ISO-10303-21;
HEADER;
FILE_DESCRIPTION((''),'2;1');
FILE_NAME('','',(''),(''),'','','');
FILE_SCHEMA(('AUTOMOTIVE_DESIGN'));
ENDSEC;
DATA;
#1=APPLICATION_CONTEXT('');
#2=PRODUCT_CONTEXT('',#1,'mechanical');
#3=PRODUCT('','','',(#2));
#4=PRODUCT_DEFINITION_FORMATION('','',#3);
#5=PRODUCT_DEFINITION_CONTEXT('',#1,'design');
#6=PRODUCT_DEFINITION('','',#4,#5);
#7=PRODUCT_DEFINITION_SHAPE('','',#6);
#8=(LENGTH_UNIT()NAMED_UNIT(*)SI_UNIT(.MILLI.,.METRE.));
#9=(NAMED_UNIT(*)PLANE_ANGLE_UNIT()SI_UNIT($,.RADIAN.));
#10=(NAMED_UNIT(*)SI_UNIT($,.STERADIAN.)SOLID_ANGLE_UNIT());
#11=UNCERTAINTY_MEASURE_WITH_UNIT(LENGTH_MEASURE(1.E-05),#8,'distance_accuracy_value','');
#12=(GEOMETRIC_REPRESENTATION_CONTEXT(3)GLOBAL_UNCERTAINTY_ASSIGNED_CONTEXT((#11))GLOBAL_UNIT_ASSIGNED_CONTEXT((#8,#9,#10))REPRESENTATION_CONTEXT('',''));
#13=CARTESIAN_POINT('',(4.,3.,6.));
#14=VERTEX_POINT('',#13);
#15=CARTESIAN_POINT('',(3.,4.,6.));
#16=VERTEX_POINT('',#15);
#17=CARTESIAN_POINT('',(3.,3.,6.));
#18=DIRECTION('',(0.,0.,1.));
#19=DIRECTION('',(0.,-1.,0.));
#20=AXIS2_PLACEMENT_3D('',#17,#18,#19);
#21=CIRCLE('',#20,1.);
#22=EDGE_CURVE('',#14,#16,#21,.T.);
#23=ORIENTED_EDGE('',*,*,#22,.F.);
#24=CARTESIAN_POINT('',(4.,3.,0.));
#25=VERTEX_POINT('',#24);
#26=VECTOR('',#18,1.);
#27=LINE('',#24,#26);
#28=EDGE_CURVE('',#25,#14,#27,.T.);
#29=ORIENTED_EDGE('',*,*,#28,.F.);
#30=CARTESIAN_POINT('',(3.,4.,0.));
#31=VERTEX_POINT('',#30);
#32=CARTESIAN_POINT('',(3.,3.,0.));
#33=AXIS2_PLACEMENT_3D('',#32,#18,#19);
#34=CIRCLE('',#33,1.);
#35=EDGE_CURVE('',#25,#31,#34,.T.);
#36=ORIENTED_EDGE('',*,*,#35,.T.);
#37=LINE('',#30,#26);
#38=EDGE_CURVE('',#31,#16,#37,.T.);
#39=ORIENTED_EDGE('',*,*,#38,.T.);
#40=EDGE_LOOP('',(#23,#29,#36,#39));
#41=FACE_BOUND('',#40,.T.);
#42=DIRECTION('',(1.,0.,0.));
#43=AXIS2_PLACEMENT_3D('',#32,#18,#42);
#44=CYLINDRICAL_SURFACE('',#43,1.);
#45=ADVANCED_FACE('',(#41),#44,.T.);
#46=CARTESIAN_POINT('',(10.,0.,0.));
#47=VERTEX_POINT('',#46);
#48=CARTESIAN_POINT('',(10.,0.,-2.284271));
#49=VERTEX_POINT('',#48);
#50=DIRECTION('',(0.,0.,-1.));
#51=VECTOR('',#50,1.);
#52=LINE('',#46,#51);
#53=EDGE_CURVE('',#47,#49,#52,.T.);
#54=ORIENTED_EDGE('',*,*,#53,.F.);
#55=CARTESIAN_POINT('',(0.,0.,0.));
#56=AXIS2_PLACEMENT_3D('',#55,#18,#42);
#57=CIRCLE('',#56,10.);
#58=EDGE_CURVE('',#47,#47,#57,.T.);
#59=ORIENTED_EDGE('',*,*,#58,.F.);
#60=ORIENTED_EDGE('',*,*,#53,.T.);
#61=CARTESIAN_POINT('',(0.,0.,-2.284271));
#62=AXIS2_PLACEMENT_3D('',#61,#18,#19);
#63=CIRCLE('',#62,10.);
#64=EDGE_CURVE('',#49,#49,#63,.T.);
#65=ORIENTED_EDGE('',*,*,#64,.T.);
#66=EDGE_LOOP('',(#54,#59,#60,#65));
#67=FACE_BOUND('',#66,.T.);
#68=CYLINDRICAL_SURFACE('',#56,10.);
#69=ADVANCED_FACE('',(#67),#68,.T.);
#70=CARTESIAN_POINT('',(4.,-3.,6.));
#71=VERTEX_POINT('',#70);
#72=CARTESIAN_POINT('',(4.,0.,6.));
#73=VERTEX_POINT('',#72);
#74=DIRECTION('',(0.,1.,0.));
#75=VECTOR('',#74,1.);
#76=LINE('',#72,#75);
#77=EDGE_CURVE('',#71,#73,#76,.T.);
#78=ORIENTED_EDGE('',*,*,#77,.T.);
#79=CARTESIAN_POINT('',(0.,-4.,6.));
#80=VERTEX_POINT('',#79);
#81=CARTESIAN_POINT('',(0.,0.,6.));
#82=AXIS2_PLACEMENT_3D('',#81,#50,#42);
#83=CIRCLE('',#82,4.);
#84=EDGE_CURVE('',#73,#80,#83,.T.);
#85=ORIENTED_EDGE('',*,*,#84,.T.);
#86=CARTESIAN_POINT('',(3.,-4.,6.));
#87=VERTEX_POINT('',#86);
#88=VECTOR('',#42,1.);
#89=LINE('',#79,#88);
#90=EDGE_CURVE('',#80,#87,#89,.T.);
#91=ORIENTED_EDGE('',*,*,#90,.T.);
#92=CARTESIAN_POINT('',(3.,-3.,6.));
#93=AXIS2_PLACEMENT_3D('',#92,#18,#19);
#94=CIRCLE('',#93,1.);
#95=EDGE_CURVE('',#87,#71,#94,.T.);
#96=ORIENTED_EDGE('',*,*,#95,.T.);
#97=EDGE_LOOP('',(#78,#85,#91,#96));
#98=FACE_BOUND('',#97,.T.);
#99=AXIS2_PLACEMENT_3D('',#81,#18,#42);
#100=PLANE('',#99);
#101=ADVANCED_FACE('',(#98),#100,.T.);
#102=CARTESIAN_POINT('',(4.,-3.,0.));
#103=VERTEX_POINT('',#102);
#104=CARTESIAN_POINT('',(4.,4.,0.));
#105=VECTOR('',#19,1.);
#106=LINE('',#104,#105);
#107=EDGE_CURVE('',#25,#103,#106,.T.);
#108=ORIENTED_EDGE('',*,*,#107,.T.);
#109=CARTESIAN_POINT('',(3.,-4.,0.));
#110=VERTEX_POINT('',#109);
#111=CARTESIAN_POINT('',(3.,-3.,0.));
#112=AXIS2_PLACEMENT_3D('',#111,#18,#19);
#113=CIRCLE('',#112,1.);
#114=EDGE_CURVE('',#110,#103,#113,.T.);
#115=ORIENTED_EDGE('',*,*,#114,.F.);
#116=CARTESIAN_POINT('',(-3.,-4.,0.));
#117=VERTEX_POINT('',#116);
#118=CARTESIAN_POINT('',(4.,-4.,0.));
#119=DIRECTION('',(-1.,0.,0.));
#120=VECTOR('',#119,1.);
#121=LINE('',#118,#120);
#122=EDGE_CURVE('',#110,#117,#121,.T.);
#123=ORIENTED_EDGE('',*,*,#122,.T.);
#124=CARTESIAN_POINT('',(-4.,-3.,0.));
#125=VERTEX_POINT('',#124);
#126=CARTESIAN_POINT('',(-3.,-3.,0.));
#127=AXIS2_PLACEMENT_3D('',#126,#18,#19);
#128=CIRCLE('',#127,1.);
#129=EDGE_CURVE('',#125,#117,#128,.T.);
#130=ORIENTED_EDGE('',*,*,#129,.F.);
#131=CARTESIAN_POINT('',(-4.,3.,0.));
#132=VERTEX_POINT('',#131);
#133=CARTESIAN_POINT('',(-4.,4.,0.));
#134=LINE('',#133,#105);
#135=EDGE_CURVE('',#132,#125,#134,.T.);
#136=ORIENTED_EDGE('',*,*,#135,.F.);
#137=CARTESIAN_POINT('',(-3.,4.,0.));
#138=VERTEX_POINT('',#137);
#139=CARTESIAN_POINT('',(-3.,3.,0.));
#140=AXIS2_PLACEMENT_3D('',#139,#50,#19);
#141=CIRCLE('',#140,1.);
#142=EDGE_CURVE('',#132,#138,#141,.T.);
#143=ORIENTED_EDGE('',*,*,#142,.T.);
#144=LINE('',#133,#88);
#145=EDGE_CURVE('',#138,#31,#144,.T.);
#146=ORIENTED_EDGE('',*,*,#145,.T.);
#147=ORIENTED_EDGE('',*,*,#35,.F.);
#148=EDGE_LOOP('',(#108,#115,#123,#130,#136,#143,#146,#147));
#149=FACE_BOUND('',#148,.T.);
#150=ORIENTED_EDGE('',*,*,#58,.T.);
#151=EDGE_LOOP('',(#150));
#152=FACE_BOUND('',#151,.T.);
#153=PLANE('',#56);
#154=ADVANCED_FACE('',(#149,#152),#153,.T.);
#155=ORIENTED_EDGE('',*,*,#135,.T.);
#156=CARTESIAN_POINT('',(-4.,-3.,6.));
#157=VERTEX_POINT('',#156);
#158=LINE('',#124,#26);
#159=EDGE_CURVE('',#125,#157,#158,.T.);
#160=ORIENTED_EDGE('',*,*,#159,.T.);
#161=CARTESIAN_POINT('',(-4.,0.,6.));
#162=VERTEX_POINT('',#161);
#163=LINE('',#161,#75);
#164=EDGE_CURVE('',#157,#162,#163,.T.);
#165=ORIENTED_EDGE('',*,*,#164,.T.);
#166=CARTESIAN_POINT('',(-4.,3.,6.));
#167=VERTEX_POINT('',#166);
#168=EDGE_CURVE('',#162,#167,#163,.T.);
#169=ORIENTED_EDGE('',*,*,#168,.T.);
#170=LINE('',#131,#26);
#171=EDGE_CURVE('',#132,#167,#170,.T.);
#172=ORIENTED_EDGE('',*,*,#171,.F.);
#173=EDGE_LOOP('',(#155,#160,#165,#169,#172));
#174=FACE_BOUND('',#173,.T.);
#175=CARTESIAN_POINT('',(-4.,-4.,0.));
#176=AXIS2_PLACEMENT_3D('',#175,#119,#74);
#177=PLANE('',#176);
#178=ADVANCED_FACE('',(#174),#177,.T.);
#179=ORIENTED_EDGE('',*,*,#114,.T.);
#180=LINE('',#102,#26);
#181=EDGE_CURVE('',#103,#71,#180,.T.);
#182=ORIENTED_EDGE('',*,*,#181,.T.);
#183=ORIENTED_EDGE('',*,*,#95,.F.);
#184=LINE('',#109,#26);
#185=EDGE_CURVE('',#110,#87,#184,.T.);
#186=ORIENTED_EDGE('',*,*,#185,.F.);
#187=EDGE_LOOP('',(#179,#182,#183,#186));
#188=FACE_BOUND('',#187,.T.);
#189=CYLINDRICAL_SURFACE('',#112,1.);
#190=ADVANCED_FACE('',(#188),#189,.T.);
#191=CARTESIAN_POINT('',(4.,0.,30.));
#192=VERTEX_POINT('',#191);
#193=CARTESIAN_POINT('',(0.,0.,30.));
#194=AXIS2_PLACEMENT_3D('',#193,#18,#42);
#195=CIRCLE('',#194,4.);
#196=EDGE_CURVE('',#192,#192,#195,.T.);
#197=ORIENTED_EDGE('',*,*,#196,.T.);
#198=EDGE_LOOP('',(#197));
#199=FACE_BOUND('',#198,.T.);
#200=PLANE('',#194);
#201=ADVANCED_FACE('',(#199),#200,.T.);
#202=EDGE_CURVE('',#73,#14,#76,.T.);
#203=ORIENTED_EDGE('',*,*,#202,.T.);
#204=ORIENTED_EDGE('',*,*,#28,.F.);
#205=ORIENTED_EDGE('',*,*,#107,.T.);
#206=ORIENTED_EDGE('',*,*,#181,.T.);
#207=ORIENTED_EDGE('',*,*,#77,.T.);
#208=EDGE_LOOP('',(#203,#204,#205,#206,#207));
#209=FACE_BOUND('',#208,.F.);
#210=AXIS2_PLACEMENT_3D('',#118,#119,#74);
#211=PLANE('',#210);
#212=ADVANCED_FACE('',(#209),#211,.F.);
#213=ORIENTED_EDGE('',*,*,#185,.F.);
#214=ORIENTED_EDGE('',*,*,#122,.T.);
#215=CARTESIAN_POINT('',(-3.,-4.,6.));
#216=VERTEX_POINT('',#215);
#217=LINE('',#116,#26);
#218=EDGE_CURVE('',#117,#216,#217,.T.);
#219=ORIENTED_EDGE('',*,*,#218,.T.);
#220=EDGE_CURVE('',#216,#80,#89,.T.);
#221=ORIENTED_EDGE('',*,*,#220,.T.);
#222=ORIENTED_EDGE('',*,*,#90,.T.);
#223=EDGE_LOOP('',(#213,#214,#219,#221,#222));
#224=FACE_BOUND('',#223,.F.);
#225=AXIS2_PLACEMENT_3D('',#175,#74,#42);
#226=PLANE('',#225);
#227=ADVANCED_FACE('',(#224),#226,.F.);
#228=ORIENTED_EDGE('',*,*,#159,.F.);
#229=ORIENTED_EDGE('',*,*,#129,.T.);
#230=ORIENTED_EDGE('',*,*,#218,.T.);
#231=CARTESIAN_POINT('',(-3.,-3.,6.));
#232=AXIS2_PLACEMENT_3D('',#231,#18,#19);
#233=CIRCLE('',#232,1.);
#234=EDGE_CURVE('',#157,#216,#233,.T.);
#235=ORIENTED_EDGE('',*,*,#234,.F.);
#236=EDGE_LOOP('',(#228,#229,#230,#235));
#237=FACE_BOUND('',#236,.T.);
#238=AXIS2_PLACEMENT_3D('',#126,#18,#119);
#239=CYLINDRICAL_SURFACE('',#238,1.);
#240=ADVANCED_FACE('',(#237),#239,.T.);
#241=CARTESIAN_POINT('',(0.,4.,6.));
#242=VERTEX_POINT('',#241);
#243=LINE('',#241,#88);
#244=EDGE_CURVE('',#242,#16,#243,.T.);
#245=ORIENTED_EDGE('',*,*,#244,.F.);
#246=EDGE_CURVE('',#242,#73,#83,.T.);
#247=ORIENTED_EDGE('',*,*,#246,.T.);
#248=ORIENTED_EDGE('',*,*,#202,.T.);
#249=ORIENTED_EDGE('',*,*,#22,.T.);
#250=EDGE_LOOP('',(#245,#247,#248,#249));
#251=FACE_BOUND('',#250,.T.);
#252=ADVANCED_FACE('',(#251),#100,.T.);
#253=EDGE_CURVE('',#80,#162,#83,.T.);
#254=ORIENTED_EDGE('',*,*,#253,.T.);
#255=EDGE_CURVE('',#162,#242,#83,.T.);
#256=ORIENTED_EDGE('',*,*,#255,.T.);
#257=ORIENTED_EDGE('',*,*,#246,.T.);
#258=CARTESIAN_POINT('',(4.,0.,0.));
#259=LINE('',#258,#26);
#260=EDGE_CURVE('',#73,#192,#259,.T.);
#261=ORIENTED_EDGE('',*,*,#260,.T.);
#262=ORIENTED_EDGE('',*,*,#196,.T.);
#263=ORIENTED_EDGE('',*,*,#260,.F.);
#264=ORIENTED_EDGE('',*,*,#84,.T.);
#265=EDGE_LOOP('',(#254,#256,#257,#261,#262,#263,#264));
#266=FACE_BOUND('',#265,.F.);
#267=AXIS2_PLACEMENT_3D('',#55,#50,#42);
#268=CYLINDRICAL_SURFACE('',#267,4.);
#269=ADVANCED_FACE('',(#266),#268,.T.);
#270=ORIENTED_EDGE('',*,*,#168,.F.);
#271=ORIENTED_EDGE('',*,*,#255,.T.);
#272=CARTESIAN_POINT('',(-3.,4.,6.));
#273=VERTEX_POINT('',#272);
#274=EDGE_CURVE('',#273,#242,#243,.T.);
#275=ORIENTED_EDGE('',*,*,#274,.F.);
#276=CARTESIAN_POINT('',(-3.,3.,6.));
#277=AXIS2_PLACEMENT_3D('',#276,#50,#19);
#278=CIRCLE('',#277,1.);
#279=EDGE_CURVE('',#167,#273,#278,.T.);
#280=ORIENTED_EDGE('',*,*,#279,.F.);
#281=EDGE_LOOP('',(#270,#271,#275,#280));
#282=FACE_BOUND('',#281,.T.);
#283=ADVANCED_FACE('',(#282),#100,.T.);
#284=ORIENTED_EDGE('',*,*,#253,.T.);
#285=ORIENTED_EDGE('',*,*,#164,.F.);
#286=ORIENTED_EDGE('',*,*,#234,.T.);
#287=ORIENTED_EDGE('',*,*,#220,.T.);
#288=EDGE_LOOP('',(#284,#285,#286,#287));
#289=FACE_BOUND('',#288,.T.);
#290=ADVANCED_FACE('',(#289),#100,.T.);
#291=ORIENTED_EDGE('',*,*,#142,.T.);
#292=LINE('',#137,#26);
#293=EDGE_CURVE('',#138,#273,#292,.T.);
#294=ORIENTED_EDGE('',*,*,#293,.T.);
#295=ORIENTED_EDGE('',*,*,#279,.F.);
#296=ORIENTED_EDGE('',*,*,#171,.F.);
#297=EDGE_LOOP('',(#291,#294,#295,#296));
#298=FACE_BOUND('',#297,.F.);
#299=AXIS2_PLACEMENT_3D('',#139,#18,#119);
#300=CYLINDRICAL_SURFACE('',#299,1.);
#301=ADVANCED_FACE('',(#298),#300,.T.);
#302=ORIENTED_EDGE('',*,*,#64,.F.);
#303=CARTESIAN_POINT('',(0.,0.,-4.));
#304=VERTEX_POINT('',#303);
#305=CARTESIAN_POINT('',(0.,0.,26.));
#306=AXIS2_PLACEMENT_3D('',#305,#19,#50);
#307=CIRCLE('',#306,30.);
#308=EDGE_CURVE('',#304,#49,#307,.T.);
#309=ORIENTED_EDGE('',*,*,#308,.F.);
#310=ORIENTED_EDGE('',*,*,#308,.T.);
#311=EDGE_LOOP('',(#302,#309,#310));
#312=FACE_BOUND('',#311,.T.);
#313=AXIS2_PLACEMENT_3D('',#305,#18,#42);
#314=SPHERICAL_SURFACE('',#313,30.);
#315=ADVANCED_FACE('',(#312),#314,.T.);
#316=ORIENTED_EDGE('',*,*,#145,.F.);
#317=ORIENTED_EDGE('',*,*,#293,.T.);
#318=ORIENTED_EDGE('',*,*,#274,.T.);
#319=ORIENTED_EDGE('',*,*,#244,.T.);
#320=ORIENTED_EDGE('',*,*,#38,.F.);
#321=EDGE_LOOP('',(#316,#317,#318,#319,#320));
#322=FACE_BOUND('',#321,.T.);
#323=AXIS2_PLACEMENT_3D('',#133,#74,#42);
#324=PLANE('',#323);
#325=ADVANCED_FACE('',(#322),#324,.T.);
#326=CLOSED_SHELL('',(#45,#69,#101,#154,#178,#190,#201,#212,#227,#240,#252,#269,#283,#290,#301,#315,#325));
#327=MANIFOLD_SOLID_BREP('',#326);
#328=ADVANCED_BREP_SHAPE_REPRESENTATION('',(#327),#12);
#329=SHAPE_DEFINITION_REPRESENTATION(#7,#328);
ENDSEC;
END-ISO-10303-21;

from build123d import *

# Parameters (mm, degrees)
SKETCH_R     = 4
PAD_DEPTH    = 30
SKETCH001_W  = 8
SKETCH001_H  = 8
PAD001_DEPTH = 6
SKETCH002_R  = 10
PAD002_DEPTH = 10
FILLET_R     = 1


with BuildPart() as body001:
    # Sphere → Sphere (revolve)
    with BuildSketch(Plane.XZ):
        with BuildLine():
            ThreePointArc((0, -30), (30, 0), (0, 30))
            Line((0, 30), (0, -30))
        make_face()
    revolve(axis=Axis((0, 0, 0), (0, 0, 1)))


with BuildPart() as body001_1:
    # Body001 placement: moved
    add(body001.part.moved(Location((0, 0, 26))))


with BuildPart() as fillet_body:
    # Sketch → Pad (new body)
    with BuildSketch(Plane.XY):
        Circle(SKETCH_R)
    extrude(amount=PAD_DEPTH)

    # Sketch001 → Pad001 (join)
    with BuildSketch(Plane.XY):
        Rectangle(SKETCH001_W, SKETCH001_H)
    extrude(amount=PAD001_DEPTH)

    # Sketch002 → Pad002 (join)
    with BuildSketch(Plane.XY):
        Circle(SKETCH002_R)
    extrude(amount=-PAD002_DEPTH)

    # Common: intersect Body001
    add(body001_1.part, mode=Mode.INTERSECT)

    # Fillet
    fillet_edges = [fillet_body.edges().sort_by_distance(p)[0] for p in [
        (4, 4, 3),
        (-4, 4, 3),
        (-4, -4, 3),
        (4, -4, 3),
    ]]
    fillet(fillet_edges, radius=FILLET_R)


solid = fillet_body.part
